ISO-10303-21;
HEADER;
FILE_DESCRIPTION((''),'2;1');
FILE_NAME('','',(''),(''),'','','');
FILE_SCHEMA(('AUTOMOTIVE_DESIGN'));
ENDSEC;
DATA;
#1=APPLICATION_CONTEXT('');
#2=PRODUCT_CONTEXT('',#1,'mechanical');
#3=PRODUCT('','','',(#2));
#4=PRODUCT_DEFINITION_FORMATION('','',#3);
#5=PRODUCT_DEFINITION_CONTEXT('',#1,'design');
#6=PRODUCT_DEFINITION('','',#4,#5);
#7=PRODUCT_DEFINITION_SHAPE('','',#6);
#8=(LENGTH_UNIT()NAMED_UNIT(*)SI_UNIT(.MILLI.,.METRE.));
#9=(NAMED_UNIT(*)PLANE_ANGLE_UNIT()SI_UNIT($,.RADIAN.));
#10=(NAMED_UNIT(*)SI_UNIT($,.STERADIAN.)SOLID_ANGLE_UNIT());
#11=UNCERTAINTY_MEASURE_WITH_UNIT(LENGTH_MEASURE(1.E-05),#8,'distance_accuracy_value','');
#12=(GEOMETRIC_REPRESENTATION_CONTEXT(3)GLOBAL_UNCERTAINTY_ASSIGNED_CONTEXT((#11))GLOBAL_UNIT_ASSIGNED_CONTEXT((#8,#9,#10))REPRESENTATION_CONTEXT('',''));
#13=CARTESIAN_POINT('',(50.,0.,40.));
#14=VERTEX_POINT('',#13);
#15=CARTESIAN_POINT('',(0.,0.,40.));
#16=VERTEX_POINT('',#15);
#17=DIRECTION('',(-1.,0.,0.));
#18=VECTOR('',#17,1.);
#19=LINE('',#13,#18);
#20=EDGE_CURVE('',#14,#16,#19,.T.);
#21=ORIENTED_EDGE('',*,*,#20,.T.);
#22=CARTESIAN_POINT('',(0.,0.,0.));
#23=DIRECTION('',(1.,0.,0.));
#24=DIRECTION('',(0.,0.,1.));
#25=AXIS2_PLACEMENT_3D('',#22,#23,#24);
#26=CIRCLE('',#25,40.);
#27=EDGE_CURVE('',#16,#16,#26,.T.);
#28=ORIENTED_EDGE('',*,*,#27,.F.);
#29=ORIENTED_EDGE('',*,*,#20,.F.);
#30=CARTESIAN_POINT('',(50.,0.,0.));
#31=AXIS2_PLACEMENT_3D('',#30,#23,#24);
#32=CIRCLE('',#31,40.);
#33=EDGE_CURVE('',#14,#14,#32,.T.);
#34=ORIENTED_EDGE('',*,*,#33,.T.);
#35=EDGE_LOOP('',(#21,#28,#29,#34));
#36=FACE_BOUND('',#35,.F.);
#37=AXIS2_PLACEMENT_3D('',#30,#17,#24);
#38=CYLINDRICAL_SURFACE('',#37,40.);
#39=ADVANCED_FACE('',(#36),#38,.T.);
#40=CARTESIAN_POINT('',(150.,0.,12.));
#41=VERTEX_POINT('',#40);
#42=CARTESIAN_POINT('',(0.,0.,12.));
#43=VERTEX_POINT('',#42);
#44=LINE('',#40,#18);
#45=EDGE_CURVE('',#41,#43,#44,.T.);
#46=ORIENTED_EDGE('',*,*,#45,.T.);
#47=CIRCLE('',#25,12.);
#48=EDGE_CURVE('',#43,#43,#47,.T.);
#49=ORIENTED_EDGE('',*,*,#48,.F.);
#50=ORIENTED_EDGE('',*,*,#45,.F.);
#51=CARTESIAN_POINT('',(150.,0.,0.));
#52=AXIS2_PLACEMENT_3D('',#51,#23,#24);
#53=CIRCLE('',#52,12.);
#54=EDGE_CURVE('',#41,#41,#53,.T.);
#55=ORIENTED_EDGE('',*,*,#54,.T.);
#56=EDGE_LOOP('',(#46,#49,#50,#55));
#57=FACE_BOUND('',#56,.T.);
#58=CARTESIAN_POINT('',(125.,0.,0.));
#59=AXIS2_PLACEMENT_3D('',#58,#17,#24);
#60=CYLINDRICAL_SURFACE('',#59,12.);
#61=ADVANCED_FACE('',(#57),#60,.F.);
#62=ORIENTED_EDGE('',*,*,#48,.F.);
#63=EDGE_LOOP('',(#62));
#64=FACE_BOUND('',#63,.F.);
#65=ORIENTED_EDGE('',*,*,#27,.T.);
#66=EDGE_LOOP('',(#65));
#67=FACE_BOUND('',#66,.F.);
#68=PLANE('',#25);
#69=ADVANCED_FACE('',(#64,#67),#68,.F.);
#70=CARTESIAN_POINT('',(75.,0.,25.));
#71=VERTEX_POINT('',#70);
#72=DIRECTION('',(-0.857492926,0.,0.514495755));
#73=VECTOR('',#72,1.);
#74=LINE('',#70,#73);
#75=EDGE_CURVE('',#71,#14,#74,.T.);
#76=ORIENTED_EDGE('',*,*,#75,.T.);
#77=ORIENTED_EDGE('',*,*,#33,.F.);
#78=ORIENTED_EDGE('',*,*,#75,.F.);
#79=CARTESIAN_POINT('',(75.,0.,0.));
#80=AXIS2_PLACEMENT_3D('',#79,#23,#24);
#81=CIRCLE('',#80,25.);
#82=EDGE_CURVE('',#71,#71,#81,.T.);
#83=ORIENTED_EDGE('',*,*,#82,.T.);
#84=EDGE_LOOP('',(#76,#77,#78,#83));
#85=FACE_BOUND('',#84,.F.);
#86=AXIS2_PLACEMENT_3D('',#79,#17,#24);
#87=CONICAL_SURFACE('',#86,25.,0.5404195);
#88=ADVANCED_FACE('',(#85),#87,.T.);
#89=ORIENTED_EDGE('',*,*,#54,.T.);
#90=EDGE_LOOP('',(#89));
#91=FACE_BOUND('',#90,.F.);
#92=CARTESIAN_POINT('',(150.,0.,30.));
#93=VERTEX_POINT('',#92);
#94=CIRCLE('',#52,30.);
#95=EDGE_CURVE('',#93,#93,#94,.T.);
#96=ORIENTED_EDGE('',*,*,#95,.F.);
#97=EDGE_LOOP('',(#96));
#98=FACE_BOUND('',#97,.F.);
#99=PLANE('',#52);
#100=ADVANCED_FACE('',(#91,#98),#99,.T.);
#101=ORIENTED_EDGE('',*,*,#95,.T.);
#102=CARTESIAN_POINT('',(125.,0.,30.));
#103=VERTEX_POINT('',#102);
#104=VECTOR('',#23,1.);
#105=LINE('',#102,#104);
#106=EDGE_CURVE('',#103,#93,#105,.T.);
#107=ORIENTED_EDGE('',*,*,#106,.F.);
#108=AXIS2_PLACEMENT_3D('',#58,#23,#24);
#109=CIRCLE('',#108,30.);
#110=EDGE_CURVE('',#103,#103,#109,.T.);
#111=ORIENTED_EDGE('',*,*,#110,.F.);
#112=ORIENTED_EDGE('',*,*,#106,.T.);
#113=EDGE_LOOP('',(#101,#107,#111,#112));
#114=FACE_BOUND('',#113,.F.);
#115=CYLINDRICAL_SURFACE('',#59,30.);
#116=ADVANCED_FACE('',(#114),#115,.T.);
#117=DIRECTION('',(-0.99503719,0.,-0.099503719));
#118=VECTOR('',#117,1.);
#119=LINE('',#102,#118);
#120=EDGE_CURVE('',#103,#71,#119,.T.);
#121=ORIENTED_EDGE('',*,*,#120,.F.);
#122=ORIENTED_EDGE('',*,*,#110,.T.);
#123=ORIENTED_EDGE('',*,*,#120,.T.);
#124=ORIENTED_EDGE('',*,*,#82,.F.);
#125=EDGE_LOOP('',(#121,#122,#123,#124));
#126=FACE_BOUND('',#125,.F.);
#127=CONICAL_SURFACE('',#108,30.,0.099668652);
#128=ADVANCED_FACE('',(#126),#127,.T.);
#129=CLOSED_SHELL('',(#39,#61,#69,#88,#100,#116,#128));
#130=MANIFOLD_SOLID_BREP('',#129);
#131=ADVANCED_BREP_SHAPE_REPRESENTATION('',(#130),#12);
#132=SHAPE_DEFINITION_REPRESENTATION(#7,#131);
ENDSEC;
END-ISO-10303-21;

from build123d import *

# Parameters (mm, degrees)
F2_DEPTH = 25


with BuildPart() as f1:
    # F0 (on Front) → F1 (revolve)
    with BuildSketch(Plane.XZ):
        Polygon((0, 40), (0, 12), (125, 12), (125, 30), (75, 25), (50, 40), align=None)
    revolve(axis=Axis((34.2099070549, 0, 0), (1, 0, 0)))

    # F2 (add): a face of the model
    f2_faces = [f1.faces().sort_by_distance(p)[0] for p in [
        (125, 0, -12.8485281374),
    ]]
    extrude(f2_faces, amount=F2_DEPTH)


solid = f1.part
